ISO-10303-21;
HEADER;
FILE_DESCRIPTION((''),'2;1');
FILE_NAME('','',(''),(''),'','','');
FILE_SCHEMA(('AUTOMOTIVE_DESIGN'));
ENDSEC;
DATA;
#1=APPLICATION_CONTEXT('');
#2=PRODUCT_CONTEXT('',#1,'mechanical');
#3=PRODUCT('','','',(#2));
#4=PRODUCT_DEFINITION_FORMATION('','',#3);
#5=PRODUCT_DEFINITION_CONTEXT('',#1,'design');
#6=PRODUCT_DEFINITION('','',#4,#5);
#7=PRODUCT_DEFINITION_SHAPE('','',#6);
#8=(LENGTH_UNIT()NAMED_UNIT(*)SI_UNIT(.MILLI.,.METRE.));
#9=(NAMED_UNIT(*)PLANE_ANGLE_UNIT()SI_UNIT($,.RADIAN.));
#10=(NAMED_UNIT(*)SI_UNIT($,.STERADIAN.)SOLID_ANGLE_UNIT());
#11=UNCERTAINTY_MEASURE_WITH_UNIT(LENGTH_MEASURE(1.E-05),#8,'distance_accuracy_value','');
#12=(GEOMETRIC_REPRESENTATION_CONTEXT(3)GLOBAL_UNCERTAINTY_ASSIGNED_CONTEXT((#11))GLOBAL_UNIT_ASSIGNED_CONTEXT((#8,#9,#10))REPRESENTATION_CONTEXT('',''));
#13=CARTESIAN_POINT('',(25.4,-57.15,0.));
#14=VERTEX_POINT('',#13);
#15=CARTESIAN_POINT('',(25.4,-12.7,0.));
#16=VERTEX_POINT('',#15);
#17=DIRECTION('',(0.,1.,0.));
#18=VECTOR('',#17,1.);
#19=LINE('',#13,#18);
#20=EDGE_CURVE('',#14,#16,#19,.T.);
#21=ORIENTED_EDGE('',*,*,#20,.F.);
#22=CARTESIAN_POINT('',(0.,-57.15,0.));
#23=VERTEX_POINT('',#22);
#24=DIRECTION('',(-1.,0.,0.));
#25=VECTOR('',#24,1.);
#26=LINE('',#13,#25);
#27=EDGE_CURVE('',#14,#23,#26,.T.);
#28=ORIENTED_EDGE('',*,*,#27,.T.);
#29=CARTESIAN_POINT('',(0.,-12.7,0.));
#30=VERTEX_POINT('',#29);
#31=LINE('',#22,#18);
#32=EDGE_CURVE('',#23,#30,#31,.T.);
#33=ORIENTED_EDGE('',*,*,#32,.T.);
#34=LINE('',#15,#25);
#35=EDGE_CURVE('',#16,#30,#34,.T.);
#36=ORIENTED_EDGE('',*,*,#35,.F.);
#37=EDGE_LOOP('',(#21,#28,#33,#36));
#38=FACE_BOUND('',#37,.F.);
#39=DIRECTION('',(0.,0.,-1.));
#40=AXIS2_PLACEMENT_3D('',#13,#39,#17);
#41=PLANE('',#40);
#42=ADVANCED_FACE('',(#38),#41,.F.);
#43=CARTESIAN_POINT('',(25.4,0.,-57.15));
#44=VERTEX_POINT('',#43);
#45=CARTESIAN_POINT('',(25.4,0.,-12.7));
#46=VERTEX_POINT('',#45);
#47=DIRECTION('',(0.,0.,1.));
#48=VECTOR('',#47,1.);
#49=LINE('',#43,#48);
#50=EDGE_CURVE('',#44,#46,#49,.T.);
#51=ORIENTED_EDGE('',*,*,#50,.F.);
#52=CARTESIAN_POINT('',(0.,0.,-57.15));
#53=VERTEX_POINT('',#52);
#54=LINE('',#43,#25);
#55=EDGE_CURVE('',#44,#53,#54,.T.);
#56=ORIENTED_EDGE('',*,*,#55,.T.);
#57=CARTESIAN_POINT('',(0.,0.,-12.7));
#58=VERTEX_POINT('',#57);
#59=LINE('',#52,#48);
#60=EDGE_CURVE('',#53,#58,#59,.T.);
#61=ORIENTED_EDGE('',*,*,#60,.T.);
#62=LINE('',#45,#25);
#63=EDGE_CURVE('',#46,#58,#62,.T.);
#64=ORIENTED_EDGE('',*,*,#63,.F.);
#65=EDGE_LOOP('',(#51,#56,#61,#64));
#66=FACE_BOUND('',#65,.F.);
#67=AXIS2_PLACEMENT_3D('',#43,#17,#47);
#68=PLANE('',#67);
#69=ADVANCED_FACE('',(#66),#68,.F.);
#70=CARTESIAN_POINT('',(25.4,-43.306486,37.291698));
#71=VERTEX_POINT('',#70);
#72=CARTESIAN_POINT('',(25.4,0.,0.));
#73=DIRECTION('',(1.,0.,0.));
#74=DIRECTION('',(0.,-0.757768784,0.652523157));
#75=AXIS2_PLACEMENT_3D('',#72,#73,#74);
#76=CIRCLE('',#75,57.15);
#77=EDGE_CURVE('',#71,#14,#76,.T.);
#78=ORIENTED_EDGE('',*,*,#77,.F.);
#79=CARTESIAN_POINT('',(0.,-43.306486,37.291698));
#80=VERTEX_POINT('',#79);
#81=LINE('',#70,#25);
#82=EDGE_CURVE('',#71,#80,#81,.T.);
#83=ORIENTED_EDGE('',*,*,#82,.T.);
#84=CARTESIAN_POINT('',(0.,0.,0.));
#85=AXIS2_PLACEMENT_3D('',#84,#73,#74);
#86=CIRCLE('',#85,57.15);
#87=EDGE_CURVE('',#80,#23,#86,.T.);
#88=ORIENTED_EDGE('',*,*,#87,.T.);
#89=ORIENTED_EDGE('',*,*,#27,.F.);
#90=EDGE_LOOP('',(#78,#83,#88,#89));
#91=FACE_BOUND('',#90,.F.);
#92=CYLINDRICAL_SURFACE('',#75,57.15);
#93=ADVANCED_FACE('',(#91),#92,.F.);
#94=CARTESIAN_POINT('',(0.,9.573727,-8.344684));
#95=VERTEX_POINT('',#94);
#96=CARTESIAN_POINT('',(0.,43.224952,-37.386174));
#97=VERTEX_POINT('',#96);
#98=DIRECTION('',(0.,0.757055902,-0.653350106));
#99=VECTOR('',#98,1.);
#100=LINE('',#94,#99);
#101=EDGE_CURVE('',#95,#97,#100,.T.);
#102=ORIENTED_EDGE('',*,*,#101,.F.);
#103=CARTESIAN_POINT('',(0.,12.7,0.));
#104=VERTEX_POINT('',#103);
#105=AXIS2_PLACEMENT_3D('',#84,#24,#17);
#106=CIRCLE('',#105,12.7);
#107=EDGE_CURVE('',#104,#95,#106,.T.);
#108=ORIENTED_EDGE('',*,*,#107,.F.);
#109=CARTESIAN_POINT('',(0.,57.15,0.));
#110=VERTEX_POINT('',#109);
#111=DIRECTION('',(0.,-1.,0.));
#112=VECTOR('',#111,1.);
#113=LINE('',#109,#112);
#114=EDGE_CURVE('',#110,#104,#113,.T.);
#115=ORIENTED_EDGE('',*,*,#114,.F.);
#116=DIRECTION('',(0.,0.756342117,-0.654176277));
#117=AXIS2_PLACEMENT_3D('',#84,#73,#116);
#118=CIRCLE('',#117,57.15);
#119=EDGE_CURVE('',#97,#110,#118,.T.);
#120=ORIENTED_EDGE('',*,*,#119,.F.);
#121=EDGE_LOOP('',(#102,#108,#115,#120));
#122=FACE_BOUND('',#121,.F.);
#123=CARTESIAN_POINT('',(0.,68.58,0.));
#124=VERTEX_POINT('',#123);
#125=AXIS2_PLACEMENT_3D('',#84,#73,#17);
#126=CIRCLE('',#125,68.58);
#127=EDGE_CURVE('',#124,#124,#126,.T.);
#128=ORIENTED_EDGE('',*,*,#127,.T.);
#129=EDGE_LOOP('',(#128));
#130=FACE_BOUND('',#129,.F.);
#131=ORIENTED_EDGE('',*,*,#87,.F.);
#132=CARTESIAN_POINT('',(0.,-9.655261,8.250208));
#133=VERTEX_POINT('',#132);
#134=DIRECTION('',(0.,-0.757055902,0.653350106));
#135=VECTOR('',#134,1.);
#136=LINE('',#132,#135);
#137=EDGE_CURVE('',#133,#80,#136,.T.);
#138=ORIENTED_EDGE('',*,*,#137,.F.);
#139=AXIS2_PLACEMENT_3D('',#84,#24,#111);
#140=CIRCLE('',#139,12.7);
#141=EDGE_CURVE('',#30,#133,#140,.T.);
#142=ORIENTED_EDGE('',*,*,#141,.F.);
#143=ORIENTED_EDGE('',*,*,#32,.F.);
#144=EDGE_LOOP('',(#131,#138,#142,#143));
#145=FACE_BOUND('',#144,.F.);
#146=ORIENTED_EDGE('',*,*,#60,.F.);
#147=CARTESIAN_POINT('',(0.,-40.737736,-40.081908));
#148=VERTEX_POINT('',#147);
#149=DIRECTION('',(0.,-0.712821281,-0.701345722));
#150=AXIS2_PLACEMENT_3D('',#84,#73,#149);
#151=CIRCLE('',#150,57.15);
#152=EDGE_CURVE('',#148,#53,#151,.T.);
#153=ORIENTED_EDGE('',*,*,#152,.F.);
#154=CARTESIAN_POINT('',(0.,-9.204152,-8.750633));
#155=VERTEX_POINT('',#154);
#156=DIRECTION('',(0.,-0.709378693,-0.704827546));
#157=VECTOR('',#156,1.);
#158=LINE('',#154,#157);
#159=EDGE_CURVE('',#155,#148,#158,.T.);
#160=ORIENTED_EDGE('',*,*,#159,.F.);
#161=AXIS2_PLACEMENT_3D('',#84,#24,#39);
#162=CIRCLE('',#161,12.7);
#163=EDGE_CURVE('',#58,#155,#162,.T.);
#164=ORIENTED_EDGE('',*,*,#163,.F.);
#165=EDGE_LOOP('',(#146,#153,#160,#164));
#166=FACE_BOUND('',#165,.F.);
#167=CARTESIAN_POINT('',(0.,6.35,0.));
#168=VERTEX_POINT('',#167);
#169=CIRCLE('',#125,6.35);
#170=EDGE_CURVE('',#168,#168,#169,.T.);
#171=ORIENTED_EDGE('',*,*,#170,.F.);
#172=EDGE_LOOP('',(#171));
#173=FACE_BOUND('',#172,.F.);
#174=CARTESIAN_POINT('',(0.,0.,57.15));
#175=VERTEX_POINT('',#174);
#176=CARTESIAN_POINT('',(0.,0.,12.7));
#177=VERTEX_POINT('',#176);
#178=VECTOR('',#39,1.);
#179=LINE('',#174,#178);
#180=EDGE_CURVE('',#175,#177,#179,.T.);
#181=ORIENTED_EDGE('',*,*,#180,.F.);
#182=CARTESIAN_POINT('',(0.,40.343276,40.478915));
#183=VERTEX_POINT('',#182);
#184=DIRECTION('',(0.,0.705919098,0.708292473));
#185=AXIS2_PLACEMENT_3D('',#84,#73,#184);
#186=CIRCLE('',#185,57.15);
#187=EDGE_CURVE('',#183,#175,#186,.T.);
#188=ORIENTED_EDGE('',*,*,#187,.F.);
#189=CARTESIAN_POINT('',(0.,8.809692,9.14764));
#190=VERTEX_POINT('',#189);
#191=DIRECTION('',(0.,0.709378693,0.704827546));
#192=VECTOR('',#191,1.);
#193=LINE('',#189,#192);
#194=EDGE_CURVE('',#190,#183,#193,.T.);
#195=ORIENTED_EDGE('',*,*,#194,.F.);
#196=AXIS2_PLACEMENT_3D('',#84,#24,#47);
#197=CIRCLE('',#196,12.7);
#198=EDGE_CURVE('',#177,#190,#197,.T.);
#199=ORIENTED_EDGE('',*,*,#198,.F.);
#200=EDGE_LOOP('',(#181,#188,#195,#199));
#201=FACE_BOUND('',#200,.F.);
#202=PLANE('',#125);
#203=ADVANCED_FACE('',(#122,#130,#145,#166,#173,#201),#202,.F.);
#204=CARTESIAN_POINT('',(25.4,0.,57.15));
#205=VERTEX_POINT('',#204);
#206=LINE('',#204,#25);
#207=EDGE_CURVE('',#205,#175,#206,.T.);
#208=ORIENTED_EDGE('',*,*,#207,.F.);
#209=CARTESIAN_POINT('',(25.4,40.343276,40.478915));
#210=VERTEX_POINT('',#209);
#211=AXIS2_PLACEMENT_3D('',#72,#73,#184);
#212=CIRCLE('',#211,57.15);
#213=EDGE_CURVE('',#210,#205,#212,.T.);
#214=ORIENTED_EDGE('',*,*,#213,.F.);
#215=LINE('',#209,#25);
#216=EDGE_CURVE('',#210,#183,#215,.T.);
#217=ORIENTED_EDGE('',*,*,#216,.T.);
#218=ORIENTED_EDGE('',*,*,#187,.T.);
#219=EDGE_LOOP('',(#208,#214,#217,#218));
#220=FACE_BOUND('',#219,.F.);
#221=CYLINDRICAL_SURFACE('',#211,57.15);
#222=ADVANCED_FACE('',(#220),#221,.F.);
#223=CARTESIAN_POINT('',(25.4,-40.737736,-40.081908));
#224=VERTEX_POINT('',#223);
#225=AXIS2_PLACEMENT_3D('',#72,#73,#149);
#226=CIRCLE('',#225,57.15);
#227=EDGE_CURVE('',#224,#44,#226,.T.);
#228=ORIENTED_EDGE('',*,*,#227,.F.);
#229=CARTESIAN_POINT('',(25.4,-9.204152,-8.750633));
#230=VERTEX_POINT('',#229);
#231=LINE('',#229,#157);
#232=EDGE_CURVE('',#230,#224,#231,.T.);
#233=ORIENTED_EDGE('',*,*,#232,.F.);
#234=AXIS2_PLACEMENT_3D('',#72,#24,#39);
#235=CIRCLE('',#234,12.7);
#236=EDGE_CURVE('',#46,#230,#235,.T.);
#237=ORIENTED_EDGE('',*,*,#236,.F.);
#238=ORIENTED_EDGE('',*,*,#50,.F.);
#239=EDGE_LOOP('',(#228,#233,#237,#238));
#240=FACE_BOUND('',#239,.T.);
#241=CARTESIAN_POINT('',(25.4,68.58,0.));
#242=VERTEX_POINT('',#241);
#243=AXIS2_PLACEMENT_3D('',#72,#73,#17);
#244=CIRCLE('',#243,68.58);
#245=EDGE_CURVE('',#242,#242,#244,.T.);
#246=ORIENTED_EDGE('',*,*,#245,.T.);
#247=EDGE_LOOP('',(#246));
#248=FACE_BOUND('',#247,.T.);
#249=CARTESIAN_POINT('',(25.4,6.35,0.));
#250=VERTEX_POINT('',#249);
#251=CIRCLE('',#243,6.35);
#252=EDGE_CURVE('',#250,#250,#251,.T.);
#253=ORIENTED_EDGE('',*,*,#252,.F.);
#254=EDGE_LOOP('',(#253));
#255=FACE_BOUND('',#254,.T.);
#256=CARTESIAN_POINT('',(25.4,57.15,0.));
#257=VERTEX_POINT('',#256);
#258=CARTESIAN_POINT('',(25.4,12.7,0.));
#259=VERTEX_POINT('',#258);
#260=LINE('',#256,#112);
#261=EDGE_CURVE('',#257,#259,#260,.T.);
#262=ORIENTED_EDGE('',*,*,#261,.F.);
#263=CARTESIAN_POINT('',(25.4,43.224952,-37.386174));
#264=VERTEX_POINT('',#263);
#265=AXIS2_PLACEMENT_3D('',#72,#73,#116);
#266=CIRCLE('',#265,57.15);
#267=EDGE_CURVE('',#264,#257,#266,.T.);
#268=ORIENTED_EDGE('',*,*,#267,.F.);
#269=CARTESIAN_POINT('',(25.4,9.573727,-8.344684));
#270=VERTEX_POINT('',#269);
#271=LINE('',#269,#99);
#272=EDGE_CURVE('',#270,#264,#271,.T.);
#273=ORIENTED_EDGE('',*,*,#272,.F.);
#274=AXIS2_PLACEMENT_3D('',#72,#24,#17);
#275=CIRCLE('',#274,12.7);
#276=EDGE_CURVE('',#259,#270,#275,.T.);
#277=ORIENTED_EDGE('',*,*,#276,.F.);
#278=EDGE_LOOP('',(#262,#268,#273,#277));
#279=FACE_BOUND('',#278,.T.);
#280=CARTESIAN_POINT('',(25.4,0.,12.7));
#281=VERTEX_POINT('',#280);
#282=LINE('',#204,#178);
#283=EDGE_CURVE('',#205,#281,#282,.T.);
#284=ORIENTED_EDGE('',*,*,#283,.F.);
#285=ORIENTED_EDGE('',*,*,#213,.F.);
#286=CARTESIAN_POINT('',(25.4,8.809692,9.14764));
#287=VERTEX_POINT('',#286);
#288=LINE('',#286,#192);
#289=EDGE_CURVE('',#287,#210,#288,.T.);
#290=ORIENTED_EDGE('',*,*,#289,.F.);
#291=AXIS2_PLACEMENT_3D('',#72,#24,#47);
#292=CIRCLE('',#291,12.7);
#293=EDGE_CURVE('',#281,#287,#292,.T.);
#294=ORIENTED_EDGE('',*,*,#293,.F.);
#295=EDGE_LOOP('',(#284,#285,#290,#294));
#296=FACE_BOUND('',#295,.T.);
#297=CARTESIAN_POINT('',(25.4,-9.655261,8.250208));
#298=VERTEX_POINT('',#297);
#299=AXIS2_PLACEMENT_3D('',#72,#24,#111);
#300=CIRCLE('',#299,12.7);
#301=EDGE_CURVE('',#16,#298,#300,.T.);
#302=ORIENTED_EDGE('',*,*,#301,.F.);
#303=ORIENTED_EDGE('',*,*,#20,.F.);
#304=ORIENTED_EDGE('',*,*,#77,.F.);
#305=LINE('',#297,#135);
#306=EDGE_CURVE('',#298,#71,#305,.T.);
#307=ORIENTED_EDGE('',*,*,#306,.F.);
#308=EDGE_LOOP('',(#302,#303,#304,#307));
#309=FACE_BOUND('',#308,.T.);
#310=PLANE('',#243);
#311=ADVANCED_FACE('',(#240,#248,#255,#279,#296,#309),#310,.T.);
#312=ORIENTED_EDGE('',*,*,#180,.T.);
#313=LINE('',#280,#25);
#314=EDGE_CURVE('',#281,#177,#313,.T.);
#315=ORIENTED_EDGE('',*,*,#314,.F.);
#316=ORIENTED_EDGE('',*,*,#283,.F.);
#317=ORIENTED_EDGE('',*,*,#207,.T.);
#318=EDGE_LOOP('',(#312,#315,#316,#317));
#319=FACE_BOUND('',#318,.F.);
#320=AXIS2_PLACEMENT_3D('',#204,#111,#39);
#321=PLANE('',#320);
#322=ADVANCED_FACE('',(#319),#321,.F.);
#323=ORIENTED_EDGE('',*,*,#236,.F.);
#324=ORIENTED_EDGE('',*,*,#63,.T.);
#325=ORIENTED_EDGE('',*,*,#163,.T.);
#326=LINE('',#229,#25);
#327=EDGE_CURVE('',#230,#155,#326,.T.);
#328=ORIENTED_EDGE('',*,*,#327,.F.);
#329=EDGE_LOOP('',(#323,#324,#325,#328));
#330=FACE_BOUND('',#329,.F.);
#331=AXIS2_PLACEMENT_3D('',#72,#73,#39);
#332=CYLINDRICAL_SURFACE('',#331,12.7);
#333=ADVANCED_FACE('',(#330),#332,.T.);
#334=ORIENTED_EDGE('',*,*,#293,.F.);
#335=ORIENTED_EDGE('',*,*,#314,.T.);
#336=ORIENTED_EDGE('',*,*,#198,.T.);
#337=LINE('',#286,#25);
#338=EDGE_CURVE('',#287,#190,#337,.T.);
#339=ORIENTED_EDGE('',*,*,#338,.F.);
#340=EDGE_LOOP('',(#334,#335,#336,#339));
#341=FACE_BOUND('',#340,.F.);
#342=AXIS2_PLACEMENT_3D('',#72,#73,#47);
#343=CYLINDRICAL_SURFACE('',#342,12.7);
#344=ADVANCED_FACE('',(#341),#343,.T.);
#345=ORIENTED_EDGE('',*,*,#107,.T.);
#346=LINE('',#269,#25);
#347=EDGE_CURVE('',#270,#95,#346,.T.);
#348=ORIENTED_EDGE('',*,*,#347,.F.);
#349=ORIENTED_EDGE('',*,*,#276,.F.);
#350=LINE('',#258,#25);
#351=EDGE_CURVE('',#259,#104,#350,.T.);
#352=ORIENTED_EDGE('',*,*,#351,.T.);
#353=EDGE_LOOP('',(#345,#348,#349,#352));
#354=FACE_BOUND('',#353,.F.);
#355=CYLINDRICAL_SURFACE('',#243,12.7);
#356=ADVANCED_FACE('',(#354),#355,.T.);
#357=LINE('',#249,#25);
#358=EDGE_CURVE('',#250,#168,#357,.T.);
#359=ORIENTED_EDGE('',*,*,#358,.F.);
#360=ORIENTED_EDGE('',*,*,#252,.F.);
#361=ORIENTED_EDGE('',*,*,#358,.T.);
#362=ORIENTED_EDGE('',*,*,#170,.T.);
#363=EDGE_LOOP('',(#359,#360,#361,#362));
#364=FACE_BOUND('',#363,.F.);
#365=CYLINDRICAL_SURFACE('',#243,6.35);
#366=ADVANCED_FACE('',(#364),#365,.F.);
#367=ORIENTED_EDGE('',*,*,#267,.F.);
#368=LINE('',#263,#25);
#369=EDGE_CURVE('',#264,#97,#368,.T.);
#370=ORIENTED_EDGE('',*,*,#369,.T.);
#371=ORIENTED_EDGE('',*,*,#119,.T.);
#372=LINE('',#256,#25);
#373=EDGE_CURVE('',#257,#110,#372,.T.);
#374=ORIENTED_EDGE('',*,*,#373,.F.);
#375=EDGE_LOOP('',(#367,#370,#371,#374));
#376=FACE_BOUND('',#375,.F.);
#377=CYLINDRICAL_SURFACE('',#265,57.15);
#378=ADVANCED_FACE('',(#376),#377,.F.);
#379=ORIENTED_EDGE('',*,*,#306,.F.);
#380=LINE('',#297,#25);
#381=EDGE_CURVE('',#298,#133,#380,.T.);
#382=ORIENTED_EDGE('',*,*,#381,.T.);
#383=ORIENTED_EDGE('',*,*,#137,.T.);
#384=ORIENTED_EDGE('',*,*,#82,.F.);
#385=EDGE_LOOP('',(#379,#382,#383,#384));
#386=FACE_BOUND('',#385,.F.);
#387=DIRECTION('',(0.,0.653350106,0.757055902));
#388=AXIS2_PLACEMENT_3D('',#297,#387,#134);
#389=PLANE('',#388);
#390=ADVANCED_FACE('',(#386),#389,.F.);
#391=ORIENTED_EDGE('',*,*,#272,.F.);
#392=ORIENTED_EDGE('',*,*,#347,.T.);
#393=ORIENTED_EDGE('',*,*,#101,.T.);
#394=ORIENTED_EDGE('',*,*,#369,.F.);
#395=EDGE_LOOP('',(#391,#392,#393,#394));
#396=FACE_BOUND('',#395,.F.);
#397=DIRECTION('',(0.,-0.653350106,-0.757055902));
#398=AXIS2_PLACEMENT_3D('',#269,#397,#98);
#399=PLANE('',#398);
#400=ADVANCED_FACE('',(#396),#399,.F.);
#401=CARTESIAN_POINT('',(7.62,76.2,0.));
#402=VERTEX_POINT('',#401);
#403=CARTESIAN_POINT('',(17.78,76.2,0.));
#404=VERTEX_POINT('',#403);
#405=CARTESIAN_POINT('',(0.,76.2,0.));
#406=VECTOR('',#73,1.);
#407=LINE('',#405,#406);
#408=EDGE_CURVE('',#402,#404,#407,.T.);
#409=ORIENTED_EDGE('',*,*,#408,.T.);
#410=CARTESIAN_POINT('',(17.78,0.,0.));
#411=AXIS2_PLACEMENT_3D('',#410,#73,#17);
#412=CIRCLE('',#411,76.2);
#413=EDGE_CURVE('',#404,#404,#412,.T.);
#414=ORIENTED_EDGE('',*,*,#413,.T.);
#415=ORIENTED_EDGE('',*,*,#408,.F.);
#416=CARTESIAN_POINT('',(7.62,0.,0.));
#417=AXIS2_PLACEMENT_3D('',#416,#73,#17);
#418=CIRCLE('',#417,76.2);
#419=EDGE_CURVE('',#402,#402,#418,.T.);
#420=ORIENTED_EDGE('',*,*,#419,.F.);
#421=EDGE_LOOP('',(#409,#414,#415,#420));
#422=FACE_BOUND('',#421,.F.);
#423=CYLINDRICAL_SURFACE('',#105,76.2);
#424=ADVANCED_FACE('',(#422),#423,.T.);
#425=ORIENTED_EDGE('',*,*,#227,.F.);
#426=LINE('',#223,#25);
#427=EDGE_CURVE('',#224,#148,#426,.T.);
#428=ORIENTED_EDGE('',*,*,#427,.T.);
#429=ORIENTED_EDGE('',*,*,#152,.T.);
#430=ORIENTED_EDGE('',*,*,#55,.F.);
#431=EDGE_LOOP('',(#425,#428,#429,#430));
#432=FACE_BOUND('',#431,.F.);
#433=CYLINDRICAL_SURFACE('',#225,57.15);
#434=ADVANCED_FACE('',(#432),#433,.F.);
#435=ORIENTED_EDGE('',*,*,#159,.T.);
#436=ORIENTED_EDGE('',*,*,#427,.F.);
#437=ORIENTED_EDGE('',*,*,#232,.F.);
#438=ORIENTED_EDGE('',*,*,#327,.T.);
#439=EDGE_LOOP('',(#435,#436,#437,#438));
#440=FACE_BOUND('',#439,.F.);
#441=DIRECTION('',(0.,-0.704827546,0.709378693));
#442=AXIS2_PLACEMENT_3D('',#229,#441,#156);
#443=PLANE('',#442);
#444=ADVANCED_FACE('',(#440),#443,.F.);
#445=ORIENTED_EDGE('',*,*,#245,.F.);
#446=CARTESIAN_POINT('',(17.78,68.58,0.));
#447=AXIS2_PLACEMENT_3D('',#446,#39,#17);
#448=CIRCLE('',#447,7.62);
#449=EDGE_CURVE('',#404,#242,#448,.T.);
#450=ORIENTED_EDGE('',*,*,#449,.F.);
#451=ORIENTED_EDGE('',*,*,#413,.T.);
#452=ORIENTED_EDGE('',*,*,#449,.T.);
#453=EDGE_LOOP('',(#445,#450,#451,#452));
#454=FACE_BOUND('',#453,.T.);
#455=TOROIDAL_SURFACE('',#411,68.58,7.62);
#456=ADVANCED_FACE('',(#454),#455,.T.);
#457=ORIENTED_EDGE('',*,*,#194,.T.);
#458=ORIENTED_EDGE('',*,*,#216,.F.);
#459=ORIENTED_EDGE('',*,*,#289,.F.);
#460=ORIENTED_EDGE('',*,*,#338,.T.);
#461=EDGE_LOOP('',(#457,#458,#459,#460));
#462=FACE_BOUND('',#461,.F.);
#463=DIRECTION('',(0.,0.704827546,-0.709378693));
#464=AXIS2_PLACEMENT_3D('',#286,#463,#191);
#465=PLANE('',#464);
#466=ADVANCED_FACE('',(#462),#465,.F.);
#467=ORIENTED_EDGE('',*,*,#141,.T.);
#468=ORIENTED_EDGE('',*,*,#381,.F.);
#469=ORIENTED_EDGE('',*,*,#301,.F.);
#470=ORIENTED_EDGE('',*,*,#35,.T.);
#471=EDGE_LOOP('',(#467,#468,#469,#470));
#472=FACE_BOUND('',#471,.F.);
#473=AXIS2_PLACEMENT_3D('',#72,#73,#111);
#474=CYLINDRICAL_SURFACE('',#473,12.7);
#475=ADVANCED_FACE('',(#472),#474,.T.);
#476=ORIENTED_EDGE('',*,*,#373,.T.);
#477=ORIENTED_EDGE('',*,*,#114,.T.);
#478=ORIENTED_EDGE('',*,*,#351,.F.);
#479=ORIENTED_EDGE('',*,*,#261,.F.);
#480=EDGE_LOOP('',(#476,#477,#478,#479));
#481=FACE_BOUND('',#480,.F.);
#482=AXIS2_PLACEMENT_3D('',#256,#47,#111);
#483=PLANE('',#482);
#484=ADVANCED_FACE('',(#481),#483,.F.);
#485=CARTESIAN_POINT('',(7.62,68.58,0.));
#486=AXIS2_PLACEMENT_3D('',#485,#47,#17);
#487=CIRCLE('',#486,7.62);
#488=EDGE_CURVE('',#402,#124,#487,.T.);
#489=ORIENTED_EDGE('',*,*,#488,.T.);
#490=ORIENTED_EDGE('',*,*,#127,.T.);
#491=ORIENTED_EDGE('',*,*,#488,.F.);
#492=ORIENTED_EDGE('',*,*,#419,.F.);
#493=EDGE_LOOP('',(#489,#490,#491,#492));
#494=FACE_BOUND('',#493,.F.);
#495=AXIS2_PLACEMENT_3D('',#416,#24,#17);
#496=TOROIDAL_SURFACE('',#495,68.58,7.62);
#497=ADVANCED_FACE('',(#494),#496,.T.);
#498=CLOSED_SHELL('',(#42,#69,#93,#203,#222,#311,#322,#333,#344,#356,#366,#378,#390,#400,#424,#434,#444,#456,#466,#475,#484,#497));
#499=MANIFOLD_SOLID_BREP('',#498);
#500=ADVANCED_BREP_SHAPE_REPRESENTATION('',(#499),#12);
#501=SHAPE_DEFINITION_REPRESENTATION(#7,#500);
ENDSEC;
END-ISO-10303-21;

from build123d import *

# Parameters (mm, degrees)
F0_R     = 76.2
F1_DEPTH = 25.4
F2_R     = 6.35
F3_DEPTH = 25.4
F5_DEPTH = 25.4
F6_R     = 7.62


with BuildPart() as f1:
    # F0 (on Right) → F1 (new body)
    with BuildSketch(Plane.YZ):
        Circle(F0_R)
    extrude(amount=F1_DEPTH)

    # F2 (on face) → F3 (cut)
    with BuildSketch(Plane.YZ.offset(25.4)):
        Circle(F2_R)
    extrude(amount=-F3_DEPTH, mode=Mode.SUBTRACT)

    # F4 (on face) → F5 (cut)
    with BuildSketch(Plane.YZ.offset(25.4)):
        with BuildLine():
            ThreePointArc((-40.737736199, -40.0819080058), (-22.0844001217, -52.7105470591), (0, -57.15))
            Line((0, -57.15), (0, -12.7))
            ThreePointArc((0, -12.7), (-5.0078416892, -11.6709691807), (-9.2041521286, -8.7506333253))
            Line((-9.2041521286, -8.7506333253), (-40.737736199, -40.0819080058))
        make_face()
        with BuildLine():
            ThreePointArc((43.2249520119, -37.3861742301), (53.5557116818, -19.947637611), (57.15, 0))
            Line((57.15, 0), (12.7, 0))
            ThreePointArc((12.7, 0), (11.89277789, -4.4555397045), (9.5737269199, -8.3446841081))
            Line((9.5737269199, -8.3446841081), (43.2249520119, -37.3861742301))
        make_face()
        with BuildLine():
            Line((8.8096923922, 9.1476401304), (40.3432764626, 40.4789148108))
            ThreePointArc((40.3432764626, 40.4789148108), (21.8260454338, 52.8180484373), (0, 57.15))
            Line((0, 57.15), (0, 12.7))
            ThreePointArc((0, 12.7), (4.749472094, 11.7784767618), (8.8096923922, 9.1476401304))
        make_face()
        with BuildLine():
            Line((-9.6552608984, 8.2502082994), (-43.3064859904, 37.2916984215))
            ThreePointArc((-43.3064859904, 37.2916984215), (-53.57745876, 19.889153145), (-57.15, 0))
            Line((-57.15, 0), (-12.7, 0))
            ThreePointArc((-12.7, 0), (-11.9145250306, 4.3970550708), (-9.6552608984, 8.2502082994))
        make_face()
    extrude(amount=-F5_DEPTH, mode=Mode.SUBTRACT)

    # F6
    f6_edges = [f1.edges().sort_by_distance(p)[0] for p in [
        (25.4, -76.2, 0),
        (0, -76.2, 0),
    ]]
    fillet(f6_edges, radius=F6_R)


solid = f1.part
